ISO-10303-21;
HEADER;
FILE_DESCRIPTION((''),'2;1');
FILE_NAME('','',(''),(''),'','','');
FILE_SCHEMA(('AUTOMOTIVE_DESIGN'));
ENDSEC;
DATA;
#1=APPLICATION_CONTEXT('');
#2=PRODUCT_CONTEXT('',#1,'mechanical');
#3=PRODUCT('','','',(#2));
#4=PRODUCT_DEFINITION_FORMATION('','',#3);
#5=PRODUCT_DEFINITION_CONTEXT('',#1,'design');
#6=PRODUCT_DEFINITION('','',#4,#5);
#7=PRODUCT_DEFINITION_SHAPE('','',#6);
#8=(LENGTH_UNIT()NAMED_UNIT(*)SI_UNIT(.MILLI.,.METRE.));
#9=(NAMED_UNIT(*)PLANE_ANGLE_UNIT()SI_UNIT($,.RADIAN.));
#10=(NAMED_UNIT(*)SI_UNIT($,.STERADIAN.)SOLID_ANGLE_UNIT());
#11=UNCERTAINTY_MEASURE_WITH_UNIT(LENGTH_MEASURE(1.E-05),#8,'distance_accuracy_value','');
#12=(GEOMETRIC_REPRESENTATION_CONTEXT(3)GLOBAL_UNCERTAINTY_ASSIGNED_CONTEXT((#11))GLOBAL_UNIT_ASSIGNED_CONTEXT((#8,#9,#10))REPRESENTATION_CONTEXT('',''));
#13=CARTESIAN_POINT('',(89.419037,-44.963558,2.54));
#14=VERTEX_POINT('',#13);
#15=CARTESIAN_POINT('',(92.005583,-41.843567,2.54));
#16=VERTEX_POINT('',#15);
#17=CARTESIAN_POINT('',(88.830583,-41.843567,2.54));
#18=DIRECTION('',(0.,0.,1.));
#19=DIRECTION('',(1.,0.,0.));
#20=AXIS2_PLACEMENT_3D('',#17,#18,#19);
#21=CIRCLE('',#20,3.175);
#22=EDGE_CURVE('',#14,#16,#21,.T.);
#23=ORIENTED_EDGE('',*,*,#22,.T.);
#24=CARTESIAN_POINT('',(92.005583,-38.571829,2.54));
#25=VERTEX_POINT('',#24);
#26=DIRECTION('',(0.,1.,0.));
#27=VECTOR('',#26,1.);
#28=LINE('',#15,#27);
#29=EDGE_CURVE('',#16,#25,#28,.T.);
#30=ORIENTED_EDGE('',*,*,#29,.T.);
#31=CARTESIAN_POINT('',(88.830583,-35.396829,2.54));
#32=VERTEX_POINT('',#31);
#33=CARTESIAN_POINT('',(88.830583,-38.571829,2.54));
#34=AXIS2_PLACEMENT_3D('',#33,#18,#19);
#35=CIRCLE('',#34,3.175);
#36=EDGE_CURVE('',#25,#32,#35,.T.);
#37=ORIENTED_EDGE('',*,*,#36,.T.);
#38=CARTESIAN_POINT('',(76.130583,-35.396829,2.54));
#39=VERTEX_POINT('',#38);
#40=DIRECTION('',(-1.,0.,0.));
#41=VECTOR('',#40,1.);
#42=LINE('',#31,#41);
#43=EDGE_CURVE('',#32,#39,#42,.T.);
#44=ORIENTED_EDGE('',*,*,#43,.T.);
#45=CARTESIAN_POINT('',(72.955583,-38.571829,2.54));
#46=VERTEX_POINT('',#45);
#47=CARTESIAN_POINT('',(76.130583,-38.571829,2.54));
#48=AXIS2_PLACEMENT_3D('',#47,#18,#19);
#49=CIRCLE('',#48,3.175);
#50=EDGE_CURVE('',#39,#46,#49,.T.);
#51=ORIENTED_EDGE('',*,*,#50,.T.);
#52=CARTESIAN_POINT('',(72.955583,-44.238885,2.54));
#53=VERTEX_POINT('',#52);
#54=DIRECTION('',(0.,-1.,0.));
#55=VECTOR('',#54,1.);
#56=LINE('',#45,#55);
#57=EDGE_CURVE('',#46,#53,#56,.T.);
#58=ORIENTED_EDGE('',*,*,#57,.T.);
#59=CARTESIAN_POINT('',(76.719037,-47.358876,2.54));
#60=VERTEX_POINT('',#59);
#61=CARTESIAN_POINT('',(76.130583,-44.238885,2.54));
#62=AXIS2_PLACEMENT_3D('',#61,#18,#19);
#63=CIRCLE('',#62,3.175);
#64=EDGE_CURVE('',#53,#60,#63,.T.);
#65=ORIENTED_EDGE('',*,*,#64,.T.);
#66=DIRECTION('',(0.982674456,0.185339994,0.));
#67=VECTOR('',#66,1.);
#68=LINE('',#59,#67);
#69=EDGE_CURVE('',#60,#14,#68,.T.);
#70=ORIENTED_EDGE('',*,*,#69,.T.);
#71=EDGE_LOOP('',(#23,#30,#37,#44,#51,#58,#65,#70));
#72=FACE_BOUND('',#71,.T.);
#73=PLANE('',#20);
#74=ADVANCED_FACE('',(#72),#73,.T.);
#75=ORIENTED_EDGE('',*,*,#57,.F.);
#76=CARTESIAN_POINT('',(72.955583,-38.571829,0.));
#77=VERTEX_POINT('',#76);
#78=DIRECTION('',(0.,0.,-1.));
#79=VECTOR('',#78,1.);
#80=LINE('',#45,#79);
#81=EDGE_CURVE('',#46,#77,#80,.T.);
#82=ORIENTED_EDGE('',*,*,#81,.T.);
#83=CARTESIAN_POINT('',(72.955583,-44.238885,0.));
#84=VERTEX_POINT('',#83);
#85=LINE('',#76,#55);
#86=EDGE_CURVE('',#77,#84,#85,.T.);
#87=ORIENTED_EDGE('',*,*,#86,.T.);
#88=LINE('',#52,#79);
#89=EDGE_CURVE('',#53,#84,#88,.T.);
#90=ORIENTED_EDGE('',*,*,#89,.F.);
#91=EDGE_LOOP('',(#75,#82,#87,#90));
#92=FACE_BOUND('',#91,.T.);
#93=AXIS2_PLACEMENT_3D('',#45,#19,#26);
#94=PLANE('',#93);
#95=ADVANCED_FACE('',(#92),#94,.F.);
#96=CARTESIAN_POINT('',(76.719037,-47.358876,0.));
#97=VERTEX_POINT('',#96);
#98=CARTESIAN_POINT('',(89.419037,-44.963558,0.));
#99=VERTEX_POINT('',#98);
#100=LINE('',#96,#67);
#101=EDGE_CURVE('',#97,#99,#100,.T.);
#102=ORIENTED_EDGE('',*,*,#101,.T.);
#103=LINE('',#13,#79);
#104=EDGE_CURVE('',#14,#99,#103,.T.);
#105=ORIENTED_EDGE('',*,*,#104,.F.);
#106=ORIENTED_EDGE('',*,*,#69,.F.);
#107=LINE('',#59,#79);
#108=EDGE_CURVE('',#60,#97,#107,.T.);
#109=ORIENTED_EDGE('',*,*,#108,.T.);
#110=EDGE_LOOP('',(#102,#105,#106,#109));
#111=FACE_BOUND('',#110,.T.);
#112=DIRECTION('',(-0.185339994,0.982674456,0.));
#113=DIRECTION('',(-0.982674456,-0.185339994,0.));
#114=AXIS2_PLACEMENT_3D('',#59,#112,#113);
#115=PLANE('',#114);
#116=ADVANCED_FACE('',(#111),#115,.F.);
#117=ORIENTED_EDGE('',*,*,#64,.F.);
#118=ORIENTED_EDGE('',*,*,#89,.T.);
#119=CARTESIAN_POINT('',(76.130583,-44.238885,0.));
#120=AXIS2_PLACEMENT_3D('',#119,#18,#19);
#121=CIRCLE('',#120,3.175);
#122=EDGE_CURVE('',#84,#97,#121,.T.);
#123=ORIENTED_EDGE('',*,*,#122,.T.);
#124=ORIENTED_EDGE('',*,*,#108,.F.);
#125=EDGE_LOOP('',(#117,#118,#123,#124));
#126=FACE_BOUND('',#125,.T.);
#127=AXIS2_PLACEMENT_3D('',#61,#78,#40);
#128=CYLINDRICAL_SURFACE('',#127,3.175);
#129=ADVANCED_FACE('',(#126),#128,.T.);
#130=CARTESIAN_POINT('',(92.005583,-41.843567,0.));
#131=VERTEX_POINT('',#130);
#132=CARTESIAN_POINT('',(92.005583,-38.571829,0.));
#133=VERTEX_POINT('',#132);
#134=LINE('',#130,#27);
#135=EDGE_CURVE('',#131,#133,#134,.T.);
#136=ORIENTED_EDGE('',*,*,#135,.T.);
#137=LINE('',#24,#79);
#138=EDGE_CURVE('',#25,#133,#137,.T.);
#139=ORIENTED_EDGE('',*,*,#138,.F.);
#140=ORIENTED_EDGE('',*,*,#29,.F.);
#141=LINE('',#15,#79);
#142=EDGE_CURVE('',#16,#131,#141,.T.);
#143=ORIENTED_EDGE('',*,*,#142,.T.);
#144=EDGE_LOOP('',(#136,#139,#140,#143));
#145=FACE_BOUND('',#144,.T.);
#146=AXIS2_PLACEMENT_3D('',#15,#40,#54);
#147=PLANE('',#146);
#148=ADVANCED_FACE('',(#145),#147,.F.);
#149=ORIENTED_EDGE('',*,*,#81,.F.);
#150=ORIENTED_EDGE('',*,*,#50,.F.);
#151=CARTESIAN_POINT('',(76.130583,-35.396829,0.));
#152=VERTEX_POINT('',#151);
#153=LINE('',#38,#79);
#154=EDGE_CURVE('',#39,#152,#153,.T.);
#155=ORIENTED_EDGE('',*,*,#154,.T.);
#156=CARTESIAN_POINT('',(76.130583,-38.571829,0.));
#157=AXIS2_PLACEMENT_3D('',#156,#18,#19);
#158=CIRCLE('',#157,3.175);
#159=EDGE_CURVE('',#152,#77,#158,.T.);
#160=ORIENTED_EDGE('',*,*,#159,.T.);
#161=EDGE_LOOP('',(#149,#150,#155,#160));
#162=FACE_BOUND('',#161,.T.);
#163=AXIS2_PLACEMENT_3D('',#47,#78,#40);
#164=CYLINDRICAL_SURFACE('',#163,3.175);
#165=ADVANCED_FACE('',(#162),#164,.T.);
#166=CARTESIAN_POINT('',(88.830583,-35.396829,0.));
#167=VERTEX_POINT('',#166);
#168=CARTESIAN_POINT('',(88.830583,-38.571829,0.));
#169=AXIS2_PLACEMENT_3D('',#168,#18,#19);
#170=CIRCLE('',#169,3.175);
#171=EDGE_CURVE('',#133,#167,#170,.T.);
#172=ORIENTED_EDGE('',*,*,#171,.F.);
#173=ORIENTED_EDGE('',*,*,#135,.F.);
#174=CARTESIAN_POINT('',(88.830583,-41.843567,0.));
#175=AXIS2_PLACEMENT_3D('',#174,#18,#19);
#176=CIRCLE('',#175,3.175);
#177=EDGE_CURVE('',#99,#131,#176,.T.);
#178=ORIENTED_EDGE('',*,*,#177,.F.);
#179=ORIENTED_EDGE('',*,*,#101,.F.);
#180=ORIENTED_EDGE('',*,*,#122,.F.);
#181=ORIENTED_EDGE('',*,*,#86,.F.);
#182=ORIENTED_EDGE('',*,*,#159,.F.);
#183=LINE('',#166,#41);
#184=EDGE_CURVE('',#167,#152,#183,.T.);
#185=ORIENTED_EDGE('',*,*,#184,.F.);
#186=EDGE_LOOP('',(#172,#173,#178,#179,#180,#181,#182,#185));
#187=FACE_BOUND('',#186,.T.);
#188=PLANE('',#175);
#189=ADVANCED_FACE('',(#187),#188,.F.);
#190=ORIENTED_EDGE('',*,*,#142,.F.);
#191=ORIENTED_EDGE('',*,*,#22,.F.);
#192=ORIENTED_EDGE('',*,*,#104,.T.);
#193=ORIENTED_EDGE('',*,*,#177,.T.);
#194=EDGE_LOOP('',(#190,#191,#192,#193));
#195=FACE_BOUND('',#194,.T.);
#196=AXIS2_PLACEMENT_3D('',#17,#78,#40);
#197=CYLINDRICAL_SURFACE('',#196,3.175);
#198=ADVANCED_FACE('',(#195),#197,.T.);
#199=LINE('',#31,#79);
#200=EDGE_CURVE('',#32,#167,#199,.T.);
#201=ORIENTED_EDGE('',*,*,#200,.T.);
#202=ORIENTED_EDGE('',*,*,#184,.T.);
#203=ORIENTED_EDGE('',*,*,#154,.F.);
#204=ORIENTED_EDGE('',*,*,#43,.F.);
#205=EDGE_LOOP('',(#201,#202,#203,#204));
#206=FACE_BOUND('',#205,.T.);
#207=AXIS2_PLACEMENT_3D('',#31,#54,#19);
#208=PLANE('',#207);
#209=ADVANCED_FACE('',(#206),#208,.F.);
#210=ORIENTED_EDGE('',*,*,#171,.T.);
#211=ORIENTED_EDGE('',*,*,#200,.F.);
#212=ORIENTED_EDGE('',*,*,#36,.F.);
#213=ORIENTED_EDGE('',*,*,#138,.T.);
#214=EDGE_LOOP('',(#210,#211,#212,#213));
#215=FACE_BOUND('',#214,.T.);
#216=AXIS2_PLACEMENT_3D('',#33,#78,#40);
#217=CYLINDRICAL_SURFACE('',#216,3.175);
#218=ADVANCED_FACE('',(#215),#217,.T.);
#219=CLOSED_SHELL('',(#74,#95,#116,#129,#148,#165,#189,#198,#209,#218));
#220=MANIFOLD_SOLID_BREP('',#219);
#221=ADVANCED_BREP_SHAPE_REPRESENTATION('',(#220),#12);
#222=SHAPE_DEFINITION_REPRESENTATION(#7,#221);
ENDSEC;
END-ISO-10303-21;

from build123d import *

# Parameters (mm, degrees)
BOSS_EXTRUDE1_DEPTH = 2.54


with BuildPart() as part:
    # Sketch1 → Boss-Extrude1 (new body)
    with BuildSketch(Plane.XY):
        with BuildLine():
            Line((92.005582605, -41.843566694), (92.005582605, -38.571829034))
            ThreePointArc((92.005582605, -38.571829034), (91.075646636, -36.326765003), (88.830582605, -35.396829034))
            Line((88.830582605, -35.396829034), (76.130582605, -35.396829034))
            ThreePointArc((76.130582605, -35.396829034), (73.885518575, -36.326765003), (72.955582605, -38.571829034))
            Line((72.955582605, -38.571829034), (72.955582605, -44.238884811))
            ThreePointArc((72.955582605, -44.238884811), (74.104221085, -46.683160571), (76.719037087, -47.358876209))
            Line((76.719037087, -47.358876209), (89.419037087, -44.963558092))
            ThreePointArc((89.419037087, -44.963558092), (91.274858365, -43.869928214), (92.005582605, -41.843566694))
        make_face()
    extrude(amount=BOSS_EXTRUDE1_DEPTH)


solid = part.part
